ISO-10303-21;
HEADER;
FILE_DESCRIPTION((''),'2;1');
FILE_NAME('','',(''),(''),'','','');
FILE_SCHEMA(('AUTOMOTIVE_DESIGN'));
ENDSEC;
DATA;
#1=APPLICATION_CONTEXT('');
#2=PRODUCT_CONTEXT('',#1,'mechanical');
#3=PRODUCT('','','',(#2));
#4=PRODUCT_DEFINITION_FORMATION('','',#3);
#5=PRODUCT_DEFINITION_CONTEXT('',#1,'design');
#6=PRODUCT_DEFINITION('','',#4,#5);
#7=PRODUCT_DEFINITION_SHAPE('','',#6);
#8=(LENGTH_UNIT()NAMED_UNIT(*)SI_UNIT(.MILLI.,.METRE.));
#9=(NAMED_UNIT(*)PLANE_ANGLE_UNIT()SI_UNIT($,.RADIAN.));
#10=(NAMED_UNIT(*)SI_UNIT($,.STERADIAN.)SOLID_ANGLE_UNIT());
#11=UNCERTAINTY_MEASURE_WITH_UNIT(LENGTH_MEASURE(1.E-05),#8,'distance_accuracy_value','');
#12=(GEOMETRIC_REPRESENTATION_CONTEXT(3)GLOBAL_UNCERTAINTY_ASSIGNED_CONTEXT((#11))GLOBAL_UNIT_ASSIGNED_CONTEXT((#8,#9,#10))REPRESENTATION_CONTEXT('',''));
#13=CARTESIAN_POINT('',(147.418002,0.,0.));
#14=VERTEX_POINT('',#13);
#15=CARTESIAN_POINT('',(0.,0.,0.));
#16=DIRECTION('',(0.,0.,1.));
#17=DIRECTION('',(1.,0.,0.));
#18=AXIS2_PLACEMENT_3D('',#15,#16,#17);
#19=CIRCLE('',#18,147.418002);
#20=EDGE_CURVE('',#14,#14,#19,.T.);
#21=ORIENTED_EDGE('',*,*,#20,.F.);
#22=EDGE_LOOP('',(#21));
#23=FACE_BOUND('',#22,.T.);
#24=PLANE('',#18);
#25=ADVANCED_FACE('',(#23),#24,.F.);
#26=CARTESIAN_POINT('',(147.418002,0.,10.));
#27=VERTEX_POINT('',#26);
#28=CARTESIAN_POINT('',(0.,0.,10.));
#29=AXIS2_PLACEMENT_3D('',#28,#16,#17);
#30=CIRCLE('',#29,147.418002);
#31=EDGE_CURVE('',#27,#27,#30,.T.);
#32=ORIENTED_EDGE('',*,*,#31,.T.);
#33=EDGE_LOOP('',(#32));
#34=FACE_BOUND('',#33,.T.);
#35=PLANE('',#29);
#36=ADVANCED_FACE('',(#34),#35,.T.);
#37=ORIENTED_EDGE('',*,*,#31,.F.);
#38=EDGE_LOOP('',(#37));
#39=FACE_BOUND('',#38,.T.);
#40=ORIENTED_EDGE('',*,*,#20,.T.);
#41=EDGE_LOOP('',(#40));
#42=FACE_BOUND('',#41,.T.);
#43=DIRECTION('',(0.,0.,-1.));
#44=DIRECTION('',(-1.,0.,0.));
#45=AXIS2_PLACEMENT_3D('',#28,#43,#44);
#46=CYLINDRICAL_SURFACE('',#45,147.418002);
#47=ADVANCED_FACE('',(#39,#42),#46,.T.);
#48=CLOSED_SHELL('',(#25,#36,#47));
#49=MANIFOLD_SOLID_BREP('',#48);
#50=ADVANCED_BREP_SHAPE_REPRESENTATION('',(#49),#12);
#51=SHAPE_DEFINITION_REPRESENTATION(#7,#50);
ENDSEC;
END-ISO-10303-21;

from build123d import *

# Parameters (mm, degrees)
SKETCH1_R           = 147.418002467
BOSS_EXTRUDE1_DEPTH = 10


with BuildPart() as part:
    # Sketch1 → Boss-Extrude1 (new body)
    with BuildSketch(Plane.XY):
        Circle(SKETCH1_R)
    extrude(amount=BOSS_EXTRUDE1_DEPTH)


solid = part.part
